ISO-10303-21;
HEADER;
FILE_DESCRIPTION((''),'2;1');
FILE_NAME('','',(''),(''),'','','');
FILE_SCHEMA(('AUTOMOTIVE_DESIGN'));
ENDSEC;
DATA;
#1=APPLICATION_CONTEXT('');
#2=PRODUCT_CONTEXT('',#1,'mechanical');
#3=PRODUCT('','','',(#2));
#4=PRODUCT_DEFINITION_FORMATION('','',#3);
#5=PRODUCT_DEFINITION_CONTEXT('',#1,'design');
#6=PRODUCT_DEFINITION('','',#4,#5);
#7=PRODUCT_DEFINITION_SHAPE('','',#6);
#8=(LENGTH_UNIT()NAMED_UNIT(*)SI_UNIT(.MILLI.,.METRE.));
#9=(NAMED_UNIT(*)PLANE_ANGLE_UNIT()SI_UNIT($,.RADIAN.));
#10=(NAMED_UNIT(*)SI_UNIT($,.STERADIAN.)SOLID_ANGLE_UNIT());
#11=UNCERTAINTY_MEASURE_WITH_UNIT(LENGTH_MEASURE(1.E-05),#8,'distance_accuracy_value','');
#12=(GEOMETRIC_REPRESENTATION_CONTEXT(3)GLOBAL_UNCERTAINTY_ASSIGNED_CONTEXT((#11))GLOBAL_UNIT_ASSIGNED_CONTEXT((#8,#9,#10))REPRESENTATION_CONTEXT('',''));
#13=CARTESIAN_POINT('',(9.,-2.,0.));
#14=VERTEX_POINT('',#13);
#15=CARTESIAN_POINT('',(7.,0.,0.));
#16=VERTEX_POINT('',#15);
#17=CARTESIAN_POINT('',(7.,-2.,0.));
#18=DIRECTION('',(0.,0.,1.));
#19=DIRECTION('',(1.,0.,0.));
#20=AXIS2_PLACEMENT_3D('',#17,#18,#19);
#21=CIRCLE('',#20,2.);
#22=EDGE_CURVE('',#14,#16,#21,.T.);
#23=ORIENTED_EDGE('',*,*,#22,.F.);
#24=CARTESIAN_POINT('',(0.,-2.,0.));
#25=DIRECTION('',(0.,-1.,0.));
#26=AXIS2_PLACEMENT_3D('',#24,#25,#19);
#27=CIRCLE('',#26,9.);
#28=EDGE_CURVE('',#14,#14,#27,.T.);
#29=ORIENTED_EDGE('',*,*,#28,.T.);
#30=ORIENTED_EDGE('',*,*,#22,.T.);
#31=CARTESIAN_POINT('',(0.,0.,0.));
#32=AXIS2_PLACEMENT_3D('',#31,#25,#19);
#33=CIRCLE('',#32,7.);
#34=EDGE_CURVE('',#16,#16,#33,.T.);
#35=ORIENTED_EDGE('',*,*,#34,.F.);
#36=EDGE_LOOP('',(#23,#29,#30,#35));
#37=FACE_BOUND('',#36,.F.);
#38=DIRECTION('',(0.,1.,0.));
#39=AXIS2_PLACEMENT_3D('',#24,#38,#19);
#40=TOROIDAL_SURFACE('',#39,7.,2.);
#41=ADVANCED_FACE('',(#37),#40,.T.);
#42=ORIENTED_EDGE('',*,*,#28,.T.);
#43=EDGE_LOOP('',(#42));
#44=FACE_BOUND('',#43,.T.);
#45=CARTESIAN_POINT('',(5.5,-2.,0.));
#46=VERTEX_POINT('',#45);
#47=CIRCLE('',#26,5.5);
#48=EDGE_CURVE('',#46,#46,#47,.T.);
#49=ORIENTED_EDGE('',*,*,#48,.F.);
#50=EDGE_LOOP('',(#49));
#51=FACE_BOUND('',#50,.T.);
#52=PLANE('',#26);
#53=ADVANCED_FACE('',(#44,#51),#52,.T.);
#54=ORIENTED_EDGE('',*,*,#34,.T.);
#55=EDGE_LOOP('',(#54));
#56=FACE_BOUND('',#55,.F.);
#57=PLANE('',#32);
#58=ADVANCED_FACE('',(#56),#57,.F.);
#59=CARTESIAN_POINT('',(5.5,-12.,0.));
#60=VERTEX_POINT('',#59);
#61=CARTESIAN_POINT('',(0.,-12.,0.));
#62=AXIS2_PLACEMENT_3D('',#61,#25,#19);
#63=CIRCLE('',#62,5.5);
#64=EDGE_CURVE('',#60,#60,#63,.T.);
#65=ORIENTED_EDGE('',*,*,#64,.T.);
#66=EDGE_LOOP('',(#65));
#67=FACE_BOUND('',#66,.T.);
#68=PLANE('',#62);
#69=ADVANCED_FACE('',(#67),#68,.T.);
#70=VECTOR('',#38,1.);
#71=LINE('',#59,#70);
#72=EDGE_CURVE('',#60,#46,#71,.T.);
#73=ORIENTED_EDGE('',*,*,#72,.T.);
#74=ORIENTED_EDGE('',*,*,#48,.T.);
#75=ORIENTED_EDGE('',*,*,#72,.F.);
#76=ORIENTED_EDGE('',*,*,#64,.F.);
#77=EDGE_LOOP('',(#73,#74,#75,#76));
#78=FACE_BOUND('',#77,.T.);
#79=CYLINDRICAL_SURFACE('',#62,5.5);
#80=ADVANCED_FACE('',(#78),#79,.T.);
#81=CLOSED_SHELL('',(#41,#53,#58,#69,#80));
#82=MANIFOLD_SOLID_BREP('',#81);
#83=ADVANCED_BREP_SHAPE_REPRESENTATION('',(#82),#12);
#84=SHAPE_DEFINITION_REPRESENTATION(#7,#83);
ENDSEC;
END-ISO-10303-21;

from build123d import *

# Parameters (mm, degrees)
F0_R     = 9
F1_DEPTH = 12
F3_R     = 2
F2_R     = 9
F2_R_2   = 5.5
F4_DEPTH = 10


with BuildPart() as f1:
    # F0 (on Front) → F1 (new body)
    with BuildSketch(Plane.XZ):
        Circle(F0_R)
    extrude(amount=F1_DEPTH)

    # F3
    f3_edges = [f1.edges().sort_by_distance(p)[0] for p in [
        (-9, 0, 0),
    ]]
    fillet(f3_edges, radius=F3_R)

    # F2 (on face) → F4 (cut)
    with BuildSketch(Plane.XZ.offset(12)):
        Circle(F2_R)
        Circle(F2_R_2, mode=Mode.SUBTRACT)
    extrude(amount=-F4_DEPTH, mode=Mode.SUBTRACT)


solid = f1.part
